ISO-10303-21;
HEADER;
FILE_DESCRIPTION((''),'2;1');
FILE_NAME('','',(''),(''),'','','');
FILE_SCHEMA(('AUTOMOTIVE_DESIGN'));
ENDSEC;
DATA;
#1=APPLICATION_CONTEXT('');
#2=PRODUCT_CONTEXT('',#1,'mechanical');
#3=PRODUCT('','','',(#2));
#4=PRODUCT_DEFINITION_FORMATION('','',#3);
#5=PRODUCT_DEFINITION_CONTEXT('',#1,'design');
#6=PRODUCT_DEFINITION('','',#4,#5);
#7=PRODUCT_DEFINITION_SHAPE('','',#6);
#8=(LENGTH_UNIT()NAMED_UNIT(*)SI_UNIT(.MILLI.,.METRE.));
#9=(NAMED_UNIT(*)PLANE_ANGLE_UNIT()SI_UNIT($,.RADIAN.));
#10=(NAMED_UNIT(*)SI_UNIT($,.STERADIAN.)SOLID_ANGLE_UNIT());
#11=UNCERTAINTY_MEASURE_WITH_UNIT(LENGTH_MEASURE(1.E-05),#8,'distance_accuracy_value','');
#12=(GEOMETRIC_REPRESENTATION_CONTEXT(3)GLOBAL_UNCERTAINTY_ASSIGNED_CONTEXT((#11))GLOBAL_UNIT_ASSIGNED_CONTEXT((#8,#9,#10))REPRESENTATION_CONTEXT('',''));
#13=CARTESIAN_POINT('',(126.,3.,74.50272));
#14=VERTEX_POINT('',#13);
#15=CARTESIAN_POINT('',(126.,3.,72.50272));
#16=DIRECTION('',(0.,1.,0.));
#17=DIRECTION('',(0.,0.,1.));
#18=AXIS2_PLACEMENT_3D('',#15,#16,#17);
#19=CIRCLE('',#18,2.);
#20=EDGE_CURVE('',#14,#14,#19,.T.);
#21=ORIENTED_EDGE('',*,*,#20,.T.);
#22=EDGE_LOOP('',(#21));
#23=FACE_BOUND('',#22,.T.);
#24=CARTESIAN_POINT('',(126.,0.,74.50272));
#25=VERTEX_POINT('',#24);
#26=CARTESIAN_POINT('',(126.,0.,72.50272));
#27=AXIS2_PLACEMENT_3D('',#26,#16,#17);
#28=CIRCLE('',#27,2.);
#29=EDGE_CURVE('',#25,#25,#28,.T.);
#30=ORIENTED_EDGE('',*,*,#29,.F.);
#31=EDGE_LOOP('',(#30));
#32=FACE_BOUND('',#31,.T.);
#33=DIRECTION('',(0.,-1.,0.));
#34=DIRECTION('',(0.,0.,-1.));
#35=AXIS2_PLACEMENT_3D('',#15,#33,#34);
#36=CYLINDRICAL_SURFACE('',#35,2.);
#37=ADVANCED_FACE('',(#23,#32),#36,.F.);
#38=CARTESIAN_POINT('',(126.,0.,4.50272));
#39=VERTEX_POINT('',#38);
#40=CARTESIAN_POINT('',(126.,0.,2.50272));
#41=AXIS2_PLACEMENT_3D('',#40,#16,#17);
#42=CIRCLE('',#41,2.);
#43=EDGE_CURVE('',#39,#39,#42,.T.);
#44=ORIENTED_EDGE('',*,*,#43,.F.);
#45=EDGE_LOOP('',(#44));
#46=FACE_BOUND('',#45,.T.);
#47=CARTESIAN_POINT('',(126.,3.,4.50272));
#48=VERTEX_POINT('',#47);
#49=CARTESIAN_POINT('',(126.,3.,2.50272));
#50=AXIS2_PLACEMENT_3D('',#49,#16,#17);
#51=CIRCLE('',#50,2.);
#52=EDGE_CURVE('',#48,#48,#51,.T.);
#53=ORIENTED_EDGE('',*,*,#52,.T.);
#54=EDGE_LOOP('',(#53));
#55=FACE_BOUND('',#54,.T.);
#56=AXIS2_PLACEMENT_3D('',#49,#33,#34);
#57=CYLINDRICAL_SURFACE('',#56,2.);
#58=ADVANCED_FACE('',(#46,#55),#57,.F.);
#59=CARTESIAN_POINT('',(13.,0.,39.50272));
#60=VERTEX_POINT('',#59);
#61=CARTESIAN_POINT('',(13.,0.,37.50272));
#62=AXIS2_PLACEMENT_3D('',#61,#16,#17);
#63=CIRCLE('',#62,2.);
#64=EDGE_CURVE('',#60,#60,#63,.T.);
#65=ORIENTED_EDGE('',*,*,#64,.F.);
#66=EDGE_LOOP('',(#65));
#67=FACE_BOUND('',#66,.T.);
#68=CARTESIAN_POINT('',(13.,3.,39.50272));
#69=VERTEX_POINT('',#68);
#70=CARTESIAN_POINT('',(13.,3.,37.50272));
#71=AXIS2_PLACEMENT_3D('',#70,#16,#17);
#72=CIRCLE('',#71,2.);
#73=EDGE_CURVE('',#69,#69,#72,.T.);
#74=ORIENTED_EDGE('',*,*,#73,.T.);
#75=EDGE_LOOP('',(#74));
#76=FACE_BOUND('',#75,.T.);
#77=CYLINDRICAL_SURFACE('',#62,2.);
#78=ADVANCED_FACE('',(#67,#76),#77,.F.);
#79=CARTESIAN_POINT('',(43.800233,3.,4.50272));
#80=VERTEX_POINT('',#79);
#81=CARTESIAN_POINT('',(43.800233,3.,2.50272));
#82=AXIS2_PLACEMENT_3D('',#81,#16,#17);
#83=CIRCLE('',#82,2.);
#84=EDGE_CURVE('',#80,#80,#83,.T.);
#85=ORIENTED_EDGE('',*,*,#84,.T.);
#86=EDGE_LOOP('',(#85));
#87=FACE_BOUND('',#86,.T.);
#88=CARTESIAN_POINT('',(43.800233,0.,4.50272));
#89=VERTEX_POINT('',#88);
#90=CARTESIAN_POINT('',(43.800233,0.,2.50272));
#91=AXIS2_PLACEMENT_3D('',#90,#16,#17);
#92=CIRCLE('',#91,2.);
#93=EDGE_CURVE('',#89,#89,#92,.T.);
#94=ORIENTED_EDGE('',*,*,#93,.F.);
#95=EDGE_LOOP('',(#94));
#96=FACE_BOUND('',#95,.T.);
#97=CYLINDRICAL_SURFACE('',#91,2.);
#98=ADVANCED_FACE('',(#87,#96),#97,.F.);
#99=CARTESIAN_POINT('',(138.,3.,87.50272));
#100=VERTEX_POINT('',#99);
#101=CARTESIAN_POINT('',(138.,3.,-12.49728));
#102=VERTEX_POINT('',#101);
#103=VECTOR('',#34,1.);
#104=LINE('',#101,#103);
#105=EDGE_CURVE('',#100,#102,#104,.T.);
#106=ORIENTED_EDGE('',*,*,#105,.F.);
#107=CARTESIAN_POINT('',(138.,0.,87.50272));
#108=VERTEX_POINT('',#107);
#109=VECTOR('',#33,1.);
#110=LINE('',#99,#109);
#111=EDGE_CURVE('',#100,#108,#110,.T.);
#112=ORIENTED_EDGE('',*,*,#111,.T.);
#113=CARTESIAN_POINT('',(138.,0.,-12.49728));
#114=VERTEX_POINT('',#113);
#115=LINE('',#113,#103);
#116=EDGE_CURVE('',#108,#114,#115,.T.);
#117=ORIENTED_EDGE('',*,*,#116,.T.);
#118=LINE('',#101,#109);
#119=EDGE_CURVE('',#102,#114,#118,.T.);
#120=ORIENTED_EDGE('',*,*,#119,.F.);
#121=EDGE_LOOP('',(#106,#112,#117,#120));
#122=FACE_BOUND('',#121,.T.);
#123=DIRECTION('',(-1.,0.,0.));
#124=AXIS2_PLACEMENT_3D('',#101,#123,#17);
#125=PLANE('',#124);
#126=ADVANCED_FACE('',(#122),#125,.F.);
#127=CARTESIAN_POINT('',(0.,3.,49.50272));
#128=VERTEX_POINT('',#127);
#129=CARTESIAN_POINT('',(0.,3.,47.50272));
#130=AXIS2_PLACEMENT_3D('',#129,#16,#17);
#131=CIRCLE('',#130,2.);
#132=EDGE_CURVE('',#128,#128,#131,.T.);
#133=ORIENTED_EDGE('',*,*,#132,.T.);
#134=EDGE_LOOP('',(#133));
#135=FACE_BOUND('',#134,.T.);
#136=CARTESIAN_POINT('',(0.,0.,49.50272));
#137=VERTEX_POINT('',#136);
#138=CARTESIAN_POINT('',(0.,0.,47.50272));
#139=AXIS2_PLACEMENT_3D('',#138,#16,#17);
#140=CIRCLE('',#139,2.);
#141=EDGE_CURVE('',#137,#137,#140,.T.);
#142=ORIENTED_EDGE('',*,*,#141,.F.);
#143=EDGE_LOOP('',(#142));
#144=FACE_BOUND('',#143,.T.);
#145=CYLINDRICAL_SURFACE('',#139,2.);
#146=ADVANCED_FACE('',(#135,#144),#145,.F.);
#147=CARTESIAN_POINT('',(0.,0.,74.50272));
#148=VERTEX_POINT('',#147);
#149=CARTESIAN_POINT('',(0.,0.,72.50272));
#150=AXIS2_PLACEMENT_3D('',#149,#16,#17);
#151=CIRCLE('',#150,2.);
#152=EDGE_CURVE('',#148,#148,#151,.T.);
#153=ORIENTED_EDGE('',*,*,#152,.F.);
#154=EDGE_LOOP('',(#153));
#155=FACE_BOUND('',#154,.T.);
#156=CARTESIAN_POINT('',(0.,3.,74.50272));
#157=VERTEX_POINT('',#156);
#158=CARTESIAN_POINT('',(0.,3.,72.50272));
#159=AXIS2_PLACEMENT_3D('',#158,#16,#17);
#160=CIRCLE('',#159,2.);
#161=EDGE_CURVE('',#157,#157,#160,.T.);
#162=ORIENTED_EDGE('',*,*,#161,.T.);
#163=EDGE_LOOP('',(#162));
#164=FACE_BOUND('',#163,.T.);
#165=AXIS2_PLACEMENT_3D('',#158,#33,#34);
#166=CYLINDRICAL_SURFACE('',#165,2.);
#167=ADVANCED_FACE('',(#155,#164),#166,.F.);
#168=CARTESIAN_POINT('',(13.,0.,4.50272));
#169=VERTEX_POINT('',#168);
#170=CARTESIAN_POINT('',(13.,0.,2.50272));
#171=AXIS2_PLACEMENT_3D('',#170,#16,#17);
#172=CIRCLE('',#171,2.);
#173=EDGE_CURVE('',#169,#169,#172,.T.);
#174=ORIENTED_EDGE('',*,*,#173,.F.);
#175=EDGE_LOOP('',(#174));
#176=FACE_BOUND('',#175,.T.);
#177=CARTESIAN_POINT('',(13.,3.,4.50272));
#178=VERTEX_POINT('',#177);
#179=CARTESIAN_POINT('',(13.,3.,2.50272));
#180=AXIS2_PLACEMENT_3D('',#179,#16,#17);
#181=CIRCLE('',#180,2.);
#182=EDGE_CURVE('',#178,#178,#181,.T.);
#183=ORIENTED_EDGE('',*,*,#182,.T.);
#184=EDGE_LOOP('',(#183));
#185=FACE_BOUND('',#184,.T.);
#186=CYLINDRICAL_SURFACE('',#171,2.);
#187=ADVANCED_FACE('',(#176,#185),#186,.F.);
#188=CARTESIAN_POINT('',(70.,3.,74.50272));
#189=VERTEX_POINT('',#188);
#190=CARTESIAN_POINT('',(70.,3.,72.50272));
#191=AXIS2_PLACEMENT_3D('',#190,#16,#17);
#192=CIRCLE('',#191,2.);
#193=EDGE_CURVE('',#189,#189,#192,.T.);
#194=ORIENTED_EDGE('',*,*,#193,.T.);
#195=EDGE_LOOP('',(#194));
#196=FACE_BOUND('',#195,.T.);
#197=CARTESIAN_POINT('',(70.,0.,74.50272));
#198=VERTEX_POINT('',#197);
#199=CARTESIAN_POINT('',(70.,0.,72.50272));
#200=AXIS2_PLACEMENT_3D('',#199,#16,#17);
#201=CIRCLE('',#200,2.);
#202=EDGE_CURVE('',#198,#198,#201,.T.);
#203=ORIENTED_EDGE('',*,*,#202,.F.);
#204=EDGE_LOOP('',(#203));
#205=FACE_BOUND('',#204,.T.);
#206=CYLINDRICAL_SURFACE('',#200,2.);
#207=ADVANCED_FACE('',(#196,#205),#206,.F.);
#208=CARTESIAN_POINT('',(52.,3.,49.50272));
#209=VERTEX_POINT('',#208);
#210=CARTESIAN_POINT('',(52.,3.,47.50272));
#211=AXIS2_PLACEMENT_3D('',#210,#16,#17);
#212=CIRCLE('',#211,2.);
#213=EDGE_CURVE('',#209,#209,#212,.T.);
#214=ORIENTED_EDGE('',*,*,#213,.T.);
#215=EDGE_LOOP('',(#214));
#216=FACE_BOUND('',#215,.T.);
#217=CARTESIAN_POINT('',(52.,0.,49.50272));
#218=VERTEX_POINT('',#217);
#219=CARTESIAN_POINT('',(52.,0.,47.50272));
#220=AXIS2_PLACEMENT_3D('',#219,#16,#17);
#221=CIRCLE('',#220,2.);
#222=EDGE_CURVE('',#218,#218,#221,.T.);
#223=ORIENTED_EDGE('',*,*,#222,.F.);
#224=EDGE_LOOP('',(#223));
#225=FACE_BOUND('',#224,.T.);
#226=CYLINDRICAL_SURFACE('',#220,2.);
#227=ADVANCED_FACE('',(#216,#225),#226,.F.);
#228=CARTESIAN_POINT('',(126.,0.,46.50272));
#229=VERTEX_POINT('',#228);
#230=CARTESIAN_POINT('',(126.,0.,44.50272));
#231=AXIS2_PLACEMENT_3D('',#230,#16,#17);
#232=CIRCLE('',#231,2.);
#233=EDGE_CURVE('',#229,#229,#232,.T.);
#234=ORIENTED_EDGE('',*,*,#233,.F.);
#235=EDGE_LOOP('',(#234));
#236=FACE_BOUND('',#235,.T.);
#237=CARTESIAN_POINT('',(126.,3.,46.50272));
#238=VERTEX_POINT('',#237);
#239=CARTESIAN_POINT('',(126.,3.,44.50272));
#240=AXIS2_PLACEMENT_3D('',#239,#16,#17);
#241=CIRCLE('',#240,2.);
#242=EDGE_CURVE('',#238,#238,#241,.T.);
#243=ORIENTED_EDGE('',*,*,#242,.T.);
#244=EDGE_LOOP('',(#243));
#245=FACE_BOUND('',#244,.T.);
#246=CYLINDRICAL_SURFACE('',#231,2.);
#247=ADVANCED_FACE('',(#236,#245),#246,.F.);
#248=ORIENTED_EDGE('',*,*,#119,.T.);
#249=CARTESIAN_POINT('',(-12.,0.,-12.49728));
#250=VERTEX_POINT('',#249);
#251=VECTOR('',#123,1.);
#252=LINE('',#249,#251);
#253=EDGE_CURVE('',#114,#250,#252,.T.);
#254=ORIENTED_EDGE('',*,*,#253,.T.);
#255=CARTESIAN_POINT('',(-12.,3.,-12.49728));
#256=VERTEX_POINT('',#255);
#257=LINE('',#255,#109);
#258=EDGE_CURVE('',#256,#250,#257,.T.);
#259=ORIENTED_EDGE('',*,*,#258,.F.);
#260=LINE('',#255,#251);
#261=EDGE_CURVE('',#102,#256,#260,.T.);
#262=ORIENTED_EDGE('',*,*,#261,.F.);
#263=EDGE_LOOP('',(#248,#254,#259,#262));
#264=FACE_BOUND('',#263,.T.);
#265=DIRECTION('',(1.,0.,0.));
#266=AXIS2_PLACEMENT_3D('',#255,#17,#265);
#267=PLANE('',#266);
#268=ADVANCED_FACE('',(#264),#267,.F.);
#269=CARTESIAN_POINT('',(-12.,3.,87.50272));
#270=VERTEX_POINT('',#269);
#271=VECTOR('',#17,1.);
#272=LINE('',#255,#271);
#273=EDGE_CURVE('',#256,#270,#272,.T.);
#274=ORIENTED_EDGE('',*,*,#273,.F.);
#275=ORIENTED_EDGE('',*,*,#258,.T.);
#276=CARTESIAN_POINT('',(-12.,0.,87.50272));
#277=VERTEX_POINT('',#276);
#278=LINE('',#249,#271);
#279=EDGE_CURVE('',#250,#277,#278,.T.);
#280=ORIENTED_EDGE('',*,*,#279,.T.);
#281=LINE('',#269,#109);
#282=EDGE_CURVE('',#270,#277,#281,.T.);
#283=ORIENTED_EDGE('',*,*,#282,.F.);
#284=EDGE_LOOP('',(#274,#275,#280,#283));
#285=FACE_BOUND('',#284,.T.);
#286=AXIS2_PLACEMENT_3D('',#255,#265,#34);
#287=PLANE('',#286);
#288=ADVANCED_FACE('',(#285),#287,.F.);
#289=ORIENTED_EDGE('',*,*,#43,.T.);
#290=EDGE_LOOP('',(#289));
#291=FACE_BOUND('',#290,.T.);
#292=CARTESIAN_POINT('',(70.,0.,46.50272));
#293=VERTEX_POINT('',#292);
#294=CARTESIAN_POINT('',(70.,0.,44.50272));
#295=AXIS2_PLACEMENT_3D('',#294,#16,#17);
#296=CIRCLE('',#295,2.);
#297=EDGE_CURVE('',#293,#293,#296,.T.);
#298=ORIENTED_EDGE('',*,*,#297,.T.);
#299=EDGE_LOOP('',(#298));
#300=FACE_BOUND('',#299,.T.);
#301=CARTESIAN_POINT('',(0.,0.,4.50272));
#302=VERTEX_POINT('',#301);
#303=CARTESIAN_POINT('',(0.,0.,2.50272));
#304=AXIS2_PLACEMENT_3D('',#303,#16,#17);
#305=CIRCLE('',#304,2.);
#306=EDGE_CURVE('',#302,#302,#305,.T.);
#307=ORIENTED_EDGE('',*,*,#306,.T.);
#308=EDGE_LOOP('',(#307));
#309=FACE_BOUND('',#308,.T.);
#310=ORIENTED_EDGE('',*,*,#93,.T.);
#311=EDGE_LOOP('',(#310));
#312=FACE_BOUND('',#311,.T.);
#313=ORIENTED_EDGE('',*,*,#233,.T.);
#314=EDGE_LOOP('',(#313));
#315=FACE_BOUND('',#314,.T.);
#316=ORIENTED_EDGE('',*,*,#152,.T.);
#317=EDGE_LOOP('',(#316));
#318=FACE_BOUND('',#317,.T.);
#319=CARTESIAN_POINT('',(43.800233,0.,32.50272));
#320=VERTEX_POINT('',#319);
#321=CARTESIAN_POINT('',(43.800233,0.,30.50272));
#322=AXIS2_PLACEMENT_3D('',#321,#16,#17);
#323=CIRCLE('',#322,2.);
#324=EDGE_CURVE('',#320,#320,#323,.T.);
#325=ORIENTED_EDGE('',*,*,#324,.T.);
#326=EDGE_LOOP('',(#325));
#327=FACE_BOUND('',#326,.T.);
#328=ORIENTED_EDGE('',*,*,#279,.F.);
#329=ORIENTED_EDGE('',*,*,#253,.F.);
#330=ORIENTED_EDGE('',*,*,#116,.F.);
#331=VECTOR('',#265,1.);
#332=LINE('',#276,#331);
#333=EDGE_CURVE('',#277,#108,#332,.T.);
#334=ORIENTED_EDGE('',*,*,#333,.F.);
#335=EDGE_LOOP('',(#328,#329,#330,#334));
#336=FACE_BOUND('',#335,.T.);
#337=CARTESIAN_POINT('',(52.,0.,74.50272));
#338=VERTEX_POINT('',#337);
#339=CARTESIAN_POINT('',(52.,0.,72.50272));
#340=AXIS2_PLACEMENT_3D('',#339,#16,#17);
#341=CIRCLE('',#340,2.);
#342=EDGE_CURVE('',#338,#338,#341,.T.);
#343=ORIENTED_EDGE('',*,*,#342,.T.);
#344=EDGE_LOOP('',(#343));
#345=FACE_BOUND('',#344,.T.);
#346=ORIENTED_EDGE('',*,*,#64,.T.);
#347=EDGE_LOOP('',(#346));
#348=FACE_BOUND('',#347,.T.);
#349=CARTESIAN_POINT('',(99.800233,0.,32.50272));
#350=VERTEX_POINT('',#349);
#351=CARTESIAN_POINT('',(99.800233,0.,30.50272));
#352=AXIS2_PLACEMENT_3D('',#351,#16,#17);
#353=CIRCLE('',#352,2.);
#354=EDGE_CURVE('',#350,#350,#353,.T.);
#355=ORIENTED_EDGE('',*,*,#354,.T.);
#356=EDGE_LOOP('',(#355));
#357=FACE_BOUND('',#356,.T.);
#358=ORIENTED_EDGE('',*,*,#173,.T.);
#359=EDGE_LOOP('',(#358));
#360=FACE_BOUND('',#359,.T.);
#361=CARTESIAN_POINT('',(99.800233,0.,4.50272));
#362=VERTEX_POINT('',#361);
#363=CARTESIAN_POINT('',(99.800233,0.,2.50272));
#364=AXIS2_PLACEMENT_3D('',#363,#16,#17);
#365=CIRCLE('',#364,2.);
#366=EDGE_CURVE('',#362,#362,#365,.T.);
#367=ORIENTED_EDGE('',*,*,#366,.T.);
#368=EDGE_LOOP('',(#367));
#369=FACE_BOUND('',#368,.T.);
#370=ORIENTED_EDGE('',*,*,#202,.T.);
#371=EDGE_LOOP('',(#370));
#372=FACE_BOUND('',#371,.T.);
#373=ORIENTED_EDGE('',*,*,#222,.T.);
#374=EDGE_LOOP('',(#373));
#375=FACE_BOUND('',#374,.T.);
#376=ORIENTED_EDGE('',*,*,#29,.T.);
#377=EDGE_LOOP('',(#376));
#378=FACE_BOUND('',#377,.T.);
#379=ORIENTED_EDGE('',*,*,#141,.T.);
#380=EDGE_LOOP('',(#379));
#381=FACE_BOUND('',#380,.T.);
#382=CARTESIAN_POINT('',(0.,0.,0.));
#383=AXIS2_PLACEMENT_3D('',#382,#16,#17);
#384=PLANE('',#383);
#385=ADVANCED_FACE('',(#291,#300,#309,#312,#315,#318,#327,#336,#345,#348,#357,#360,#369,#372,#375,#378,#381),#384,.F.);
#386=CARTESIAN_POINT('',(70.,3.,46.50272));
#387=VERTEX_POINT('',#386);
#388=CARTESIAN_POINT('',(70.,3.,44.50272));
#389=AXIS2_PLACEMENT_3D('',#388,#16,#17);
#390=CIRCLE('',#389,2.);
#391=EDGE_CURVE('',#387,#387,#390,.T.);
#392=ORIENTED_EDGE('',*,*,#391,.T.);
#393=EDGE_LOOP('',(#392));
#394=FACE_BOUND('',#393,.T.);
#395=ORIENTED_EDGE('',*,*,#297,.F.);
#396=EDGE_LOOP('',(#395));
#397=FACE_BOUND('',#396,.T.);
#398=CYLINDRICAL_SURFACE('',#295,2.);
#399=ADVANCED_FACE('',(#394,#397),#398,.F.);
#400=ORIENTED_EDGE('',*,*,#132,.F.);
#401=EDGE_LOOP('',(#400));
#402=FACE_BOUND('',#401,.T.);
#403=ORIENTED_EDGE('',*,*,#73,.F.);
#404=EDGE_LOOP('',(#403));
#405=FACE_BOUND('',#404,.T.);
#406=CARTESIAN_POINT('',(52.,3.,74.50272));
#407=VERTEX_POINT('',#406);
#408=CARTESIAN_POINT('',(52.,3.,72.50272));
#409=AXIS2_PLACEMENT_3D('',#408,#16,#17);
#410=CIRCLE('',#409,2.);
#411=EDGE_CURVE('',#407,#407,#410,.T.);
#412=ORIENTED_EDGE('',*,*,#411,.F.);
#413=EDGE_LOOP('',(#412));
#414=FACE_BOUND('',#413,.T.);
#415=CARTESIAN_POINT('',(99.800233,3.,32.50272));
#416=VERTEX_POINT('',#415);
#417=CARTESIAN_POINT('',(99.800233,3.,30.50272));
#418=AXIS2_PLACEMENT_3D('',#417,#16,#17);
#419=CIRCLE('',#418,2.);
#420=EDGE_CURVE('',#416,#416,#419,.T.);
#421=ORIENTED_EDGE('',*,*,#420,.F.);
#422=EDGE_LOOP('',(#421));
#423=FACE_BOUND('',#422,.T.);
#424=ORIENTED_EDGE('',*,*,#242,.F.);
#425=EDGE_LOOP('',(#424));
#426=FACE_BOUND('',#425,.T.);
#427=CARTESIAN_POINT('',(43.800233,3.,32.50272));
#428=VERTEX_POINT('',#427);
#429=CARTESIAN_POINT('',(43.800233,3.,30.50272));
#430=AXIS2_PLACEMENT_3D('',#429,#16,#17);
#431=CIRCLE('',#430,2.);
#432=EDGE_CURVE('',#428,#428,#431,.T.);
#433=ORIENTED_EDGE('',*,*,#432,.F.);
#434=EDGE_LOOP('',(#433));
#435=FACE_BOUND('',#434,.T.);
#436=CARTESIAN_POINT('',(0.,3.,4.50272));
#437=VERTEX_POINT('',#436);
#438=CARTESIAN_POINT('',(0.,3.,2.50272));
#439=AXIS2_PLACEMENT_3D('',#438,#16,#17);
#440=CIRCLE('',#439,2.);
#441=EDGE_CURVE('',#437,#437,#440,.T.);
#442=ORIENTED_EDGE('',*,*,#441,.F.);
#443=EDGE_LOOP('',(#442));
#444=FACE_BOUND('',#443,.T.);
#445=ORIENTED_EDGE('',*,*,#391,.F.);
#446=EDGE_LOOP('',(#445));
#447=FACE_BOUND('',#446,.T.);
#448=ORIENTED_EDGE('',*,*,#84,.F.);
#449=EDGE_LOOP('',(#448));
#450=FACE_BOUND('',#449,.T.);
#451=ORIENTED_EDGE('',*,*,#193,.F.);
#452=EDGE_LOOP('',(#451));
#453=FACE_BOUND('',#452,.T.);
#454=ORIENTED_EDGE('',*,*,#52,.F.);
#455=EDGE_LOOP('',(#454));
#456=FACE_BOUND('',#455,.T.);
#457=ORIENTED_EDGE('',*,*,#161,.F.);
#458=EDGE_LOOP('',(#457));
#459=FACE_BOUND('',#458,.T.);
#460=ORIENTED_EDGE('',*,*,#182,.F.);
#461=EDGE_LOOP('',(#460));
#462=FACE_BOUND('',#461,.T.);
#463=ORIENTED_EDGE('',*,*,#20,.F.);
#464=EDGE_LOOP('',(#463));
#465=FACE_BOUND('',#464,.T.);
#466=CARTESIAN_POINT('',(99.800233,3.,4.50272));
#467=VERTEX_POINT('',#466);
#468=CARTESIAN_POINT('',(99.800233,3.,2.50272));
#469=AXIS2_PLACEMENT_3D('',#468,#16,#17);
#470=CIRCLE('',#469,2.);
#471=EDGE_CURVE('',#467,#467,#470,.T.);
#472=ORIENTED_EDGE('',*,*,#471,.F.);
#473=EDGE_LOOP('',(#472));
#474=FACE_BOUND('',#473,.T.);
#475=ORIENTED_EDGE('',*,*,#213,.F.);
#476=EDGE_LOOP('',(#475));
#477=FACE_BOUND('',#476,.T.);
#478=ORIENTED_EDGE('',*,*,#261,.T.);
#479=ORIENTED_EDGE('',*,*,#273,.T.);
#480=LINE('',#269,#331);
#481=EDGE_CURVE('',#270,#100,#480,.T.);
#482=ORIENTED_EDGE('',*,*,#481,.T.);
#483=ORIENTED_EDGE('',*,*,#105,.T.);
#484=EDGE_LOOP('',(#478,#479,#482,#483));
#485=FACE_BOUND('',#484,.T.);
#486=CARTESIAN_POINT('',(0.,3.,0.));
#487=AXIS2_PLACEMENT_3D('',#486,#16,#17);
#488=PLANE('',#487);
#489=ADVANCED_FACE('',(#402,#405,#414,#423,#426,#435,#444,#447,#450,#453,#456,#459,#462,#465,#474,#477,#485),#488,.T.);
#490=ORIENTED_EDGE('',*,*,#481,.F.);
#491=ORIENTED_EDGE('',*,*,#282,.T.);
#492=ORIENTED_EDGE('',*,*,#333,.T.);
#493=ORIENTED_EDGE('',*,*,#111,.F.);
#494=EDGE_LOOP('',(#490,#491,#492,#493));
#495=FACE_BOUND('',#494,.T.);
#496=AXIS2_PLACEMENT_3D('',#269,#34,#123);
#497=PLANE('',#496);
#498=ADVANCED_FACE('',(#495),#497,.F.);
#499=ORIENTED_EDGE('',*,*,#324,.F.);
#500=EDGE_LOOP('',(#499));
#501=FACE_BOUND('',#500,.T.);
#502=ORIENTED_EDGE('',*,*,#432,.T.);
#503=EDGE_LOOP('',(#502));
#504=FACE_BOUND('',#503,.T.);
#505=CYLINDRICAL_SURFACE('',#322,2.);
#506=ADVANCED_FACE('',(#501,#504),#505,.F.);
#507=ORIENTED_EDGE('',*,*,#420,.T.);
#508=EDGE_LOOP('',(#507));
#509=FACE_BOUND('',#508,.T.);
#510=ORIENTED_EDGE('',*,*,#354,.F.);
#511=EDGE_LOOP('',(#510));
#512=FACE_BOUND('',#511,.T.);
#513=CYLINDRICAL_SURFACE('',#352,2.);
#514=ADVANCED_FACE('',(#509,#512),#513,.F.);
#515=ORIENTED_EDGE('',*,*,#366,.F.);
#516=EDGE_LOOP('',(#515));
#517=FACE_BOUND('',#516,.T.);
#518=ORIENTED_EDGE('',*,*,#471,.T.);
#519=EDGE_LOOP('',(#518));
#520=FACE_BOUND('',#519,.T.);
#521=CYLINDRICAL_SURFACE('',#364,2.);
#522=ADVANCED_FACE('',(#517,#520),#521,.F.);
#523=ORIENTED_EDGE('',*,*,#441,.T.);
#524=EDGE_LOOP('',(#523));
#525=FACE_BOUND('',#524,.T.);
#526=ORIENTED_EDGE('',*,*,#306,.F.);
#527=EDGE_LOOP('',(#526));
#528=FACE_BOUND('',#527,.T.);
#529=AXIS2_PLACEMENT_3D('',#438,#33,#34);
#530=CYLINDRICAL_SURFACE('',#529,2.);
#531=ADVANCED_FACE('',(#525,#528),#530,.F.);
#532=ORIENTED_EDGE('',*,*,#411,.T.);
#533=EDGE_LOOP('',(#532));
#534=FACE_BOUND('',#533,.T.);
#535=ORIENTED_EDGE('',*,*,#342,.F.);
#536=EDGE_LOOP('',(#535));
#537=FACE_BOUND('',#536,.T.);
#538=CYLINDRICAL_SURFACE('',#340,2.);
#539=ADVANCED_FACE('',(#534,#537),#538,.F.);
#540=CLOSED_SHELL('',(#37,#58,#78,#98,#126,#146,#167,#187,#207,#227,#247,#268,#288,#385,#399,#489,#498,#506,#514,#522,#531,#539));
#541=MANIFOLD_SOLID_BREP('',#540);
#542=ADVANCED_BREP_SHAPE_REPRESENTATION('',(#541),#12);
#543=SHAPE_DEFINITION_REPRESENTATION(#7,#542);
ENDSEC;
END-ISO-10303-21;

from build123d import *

# Parameters (mm, degrees)
SKETCH1_W           = 150
SKETCH1_H           = 100
SKETCH1_R           = 2
BOSS_EXTRUDE1_DEPTH = 3
SKETCH2_R           = 2
CUT_EXTRUDE1_DEPTH  = 3


with BuildPart() as part:
    # Sketch1 → Boss-Extrude1 (new body)
    with BuildSketch(Plane(origin=(0, 0, 0), x_dir=(1, 0, 0), z_dir=(0, 1, 0))):
        with Locations((63, -37.502720101)):
            Rectangle(SKETCH1_W, SKETCH1_H)
        with Locations((0, -2.502720101)):
            Circle(SKETCH1_R, mode=Mode.SUBTRACT)
        with Locations((126, -2.502720101)):
            Circle(SKETCH1_R, mode=Mode.SUBTRACT)
        with Locations((0, -72.502720101)):
            Circle(SKETCH1_R, mode=Mode.SUBTRACT)
        with Locations((126, -72.502720101)):
            Circle(SKETCH1_R, mode=Mode.SUBTRACT)
    extrude(amount=BOSS_EXTRUDE1_DEPTH)

    # Sketch2 → Cut-Extrude1 (cut)
    with BuildSketch(Plane(origin=(0, 3, 0), x_dir=(1, 0, 0), z_dir=(0, 1, 0))):
        with Locations((13, -2.502720101)):
            Circle(SKETCH2_R)
        with Locations((13, -37.502720101)):
            Circle(SKETCH2_R)
        with Locations((0, -47.502720101)):
            Circle(SKETCH2_R)
        with Locations((0, -72.502720101)):
            Circle(SKETCH2_R)
        with Locations((52, -47.502720101)):
            Circle(SKETCH2_R)
        with Locations((52, -72.502720101)):
            Circle(SKETCH2_R)
        with Locations((43.800232524, -2.502720101)):
            Circle(SKETCH2_R)
        with Locations((43.800232524, -30.502720101)):
            Circle(SKETCH2_R)
        with Locations((99.800232524, -2.502720101)):
            Circle(SKETCH2_R)
        with Locations((99.800232524, -30.502720101)):
            Circle(SKETCH2_R)
        with Locations((70, -44.502720101)):
            Circle(SKETCH2_R)
        with Locations((70, -72.502720101)):
            Circle(SKETCH2_R)
        with Locations((126, -44.502720101)):
            Circle(SKETCH2_R)
    extrude(amount=-CUT_EXTRUDE1_DEPTH, mode=Mode.SUBTRACT)


solid = part.part
